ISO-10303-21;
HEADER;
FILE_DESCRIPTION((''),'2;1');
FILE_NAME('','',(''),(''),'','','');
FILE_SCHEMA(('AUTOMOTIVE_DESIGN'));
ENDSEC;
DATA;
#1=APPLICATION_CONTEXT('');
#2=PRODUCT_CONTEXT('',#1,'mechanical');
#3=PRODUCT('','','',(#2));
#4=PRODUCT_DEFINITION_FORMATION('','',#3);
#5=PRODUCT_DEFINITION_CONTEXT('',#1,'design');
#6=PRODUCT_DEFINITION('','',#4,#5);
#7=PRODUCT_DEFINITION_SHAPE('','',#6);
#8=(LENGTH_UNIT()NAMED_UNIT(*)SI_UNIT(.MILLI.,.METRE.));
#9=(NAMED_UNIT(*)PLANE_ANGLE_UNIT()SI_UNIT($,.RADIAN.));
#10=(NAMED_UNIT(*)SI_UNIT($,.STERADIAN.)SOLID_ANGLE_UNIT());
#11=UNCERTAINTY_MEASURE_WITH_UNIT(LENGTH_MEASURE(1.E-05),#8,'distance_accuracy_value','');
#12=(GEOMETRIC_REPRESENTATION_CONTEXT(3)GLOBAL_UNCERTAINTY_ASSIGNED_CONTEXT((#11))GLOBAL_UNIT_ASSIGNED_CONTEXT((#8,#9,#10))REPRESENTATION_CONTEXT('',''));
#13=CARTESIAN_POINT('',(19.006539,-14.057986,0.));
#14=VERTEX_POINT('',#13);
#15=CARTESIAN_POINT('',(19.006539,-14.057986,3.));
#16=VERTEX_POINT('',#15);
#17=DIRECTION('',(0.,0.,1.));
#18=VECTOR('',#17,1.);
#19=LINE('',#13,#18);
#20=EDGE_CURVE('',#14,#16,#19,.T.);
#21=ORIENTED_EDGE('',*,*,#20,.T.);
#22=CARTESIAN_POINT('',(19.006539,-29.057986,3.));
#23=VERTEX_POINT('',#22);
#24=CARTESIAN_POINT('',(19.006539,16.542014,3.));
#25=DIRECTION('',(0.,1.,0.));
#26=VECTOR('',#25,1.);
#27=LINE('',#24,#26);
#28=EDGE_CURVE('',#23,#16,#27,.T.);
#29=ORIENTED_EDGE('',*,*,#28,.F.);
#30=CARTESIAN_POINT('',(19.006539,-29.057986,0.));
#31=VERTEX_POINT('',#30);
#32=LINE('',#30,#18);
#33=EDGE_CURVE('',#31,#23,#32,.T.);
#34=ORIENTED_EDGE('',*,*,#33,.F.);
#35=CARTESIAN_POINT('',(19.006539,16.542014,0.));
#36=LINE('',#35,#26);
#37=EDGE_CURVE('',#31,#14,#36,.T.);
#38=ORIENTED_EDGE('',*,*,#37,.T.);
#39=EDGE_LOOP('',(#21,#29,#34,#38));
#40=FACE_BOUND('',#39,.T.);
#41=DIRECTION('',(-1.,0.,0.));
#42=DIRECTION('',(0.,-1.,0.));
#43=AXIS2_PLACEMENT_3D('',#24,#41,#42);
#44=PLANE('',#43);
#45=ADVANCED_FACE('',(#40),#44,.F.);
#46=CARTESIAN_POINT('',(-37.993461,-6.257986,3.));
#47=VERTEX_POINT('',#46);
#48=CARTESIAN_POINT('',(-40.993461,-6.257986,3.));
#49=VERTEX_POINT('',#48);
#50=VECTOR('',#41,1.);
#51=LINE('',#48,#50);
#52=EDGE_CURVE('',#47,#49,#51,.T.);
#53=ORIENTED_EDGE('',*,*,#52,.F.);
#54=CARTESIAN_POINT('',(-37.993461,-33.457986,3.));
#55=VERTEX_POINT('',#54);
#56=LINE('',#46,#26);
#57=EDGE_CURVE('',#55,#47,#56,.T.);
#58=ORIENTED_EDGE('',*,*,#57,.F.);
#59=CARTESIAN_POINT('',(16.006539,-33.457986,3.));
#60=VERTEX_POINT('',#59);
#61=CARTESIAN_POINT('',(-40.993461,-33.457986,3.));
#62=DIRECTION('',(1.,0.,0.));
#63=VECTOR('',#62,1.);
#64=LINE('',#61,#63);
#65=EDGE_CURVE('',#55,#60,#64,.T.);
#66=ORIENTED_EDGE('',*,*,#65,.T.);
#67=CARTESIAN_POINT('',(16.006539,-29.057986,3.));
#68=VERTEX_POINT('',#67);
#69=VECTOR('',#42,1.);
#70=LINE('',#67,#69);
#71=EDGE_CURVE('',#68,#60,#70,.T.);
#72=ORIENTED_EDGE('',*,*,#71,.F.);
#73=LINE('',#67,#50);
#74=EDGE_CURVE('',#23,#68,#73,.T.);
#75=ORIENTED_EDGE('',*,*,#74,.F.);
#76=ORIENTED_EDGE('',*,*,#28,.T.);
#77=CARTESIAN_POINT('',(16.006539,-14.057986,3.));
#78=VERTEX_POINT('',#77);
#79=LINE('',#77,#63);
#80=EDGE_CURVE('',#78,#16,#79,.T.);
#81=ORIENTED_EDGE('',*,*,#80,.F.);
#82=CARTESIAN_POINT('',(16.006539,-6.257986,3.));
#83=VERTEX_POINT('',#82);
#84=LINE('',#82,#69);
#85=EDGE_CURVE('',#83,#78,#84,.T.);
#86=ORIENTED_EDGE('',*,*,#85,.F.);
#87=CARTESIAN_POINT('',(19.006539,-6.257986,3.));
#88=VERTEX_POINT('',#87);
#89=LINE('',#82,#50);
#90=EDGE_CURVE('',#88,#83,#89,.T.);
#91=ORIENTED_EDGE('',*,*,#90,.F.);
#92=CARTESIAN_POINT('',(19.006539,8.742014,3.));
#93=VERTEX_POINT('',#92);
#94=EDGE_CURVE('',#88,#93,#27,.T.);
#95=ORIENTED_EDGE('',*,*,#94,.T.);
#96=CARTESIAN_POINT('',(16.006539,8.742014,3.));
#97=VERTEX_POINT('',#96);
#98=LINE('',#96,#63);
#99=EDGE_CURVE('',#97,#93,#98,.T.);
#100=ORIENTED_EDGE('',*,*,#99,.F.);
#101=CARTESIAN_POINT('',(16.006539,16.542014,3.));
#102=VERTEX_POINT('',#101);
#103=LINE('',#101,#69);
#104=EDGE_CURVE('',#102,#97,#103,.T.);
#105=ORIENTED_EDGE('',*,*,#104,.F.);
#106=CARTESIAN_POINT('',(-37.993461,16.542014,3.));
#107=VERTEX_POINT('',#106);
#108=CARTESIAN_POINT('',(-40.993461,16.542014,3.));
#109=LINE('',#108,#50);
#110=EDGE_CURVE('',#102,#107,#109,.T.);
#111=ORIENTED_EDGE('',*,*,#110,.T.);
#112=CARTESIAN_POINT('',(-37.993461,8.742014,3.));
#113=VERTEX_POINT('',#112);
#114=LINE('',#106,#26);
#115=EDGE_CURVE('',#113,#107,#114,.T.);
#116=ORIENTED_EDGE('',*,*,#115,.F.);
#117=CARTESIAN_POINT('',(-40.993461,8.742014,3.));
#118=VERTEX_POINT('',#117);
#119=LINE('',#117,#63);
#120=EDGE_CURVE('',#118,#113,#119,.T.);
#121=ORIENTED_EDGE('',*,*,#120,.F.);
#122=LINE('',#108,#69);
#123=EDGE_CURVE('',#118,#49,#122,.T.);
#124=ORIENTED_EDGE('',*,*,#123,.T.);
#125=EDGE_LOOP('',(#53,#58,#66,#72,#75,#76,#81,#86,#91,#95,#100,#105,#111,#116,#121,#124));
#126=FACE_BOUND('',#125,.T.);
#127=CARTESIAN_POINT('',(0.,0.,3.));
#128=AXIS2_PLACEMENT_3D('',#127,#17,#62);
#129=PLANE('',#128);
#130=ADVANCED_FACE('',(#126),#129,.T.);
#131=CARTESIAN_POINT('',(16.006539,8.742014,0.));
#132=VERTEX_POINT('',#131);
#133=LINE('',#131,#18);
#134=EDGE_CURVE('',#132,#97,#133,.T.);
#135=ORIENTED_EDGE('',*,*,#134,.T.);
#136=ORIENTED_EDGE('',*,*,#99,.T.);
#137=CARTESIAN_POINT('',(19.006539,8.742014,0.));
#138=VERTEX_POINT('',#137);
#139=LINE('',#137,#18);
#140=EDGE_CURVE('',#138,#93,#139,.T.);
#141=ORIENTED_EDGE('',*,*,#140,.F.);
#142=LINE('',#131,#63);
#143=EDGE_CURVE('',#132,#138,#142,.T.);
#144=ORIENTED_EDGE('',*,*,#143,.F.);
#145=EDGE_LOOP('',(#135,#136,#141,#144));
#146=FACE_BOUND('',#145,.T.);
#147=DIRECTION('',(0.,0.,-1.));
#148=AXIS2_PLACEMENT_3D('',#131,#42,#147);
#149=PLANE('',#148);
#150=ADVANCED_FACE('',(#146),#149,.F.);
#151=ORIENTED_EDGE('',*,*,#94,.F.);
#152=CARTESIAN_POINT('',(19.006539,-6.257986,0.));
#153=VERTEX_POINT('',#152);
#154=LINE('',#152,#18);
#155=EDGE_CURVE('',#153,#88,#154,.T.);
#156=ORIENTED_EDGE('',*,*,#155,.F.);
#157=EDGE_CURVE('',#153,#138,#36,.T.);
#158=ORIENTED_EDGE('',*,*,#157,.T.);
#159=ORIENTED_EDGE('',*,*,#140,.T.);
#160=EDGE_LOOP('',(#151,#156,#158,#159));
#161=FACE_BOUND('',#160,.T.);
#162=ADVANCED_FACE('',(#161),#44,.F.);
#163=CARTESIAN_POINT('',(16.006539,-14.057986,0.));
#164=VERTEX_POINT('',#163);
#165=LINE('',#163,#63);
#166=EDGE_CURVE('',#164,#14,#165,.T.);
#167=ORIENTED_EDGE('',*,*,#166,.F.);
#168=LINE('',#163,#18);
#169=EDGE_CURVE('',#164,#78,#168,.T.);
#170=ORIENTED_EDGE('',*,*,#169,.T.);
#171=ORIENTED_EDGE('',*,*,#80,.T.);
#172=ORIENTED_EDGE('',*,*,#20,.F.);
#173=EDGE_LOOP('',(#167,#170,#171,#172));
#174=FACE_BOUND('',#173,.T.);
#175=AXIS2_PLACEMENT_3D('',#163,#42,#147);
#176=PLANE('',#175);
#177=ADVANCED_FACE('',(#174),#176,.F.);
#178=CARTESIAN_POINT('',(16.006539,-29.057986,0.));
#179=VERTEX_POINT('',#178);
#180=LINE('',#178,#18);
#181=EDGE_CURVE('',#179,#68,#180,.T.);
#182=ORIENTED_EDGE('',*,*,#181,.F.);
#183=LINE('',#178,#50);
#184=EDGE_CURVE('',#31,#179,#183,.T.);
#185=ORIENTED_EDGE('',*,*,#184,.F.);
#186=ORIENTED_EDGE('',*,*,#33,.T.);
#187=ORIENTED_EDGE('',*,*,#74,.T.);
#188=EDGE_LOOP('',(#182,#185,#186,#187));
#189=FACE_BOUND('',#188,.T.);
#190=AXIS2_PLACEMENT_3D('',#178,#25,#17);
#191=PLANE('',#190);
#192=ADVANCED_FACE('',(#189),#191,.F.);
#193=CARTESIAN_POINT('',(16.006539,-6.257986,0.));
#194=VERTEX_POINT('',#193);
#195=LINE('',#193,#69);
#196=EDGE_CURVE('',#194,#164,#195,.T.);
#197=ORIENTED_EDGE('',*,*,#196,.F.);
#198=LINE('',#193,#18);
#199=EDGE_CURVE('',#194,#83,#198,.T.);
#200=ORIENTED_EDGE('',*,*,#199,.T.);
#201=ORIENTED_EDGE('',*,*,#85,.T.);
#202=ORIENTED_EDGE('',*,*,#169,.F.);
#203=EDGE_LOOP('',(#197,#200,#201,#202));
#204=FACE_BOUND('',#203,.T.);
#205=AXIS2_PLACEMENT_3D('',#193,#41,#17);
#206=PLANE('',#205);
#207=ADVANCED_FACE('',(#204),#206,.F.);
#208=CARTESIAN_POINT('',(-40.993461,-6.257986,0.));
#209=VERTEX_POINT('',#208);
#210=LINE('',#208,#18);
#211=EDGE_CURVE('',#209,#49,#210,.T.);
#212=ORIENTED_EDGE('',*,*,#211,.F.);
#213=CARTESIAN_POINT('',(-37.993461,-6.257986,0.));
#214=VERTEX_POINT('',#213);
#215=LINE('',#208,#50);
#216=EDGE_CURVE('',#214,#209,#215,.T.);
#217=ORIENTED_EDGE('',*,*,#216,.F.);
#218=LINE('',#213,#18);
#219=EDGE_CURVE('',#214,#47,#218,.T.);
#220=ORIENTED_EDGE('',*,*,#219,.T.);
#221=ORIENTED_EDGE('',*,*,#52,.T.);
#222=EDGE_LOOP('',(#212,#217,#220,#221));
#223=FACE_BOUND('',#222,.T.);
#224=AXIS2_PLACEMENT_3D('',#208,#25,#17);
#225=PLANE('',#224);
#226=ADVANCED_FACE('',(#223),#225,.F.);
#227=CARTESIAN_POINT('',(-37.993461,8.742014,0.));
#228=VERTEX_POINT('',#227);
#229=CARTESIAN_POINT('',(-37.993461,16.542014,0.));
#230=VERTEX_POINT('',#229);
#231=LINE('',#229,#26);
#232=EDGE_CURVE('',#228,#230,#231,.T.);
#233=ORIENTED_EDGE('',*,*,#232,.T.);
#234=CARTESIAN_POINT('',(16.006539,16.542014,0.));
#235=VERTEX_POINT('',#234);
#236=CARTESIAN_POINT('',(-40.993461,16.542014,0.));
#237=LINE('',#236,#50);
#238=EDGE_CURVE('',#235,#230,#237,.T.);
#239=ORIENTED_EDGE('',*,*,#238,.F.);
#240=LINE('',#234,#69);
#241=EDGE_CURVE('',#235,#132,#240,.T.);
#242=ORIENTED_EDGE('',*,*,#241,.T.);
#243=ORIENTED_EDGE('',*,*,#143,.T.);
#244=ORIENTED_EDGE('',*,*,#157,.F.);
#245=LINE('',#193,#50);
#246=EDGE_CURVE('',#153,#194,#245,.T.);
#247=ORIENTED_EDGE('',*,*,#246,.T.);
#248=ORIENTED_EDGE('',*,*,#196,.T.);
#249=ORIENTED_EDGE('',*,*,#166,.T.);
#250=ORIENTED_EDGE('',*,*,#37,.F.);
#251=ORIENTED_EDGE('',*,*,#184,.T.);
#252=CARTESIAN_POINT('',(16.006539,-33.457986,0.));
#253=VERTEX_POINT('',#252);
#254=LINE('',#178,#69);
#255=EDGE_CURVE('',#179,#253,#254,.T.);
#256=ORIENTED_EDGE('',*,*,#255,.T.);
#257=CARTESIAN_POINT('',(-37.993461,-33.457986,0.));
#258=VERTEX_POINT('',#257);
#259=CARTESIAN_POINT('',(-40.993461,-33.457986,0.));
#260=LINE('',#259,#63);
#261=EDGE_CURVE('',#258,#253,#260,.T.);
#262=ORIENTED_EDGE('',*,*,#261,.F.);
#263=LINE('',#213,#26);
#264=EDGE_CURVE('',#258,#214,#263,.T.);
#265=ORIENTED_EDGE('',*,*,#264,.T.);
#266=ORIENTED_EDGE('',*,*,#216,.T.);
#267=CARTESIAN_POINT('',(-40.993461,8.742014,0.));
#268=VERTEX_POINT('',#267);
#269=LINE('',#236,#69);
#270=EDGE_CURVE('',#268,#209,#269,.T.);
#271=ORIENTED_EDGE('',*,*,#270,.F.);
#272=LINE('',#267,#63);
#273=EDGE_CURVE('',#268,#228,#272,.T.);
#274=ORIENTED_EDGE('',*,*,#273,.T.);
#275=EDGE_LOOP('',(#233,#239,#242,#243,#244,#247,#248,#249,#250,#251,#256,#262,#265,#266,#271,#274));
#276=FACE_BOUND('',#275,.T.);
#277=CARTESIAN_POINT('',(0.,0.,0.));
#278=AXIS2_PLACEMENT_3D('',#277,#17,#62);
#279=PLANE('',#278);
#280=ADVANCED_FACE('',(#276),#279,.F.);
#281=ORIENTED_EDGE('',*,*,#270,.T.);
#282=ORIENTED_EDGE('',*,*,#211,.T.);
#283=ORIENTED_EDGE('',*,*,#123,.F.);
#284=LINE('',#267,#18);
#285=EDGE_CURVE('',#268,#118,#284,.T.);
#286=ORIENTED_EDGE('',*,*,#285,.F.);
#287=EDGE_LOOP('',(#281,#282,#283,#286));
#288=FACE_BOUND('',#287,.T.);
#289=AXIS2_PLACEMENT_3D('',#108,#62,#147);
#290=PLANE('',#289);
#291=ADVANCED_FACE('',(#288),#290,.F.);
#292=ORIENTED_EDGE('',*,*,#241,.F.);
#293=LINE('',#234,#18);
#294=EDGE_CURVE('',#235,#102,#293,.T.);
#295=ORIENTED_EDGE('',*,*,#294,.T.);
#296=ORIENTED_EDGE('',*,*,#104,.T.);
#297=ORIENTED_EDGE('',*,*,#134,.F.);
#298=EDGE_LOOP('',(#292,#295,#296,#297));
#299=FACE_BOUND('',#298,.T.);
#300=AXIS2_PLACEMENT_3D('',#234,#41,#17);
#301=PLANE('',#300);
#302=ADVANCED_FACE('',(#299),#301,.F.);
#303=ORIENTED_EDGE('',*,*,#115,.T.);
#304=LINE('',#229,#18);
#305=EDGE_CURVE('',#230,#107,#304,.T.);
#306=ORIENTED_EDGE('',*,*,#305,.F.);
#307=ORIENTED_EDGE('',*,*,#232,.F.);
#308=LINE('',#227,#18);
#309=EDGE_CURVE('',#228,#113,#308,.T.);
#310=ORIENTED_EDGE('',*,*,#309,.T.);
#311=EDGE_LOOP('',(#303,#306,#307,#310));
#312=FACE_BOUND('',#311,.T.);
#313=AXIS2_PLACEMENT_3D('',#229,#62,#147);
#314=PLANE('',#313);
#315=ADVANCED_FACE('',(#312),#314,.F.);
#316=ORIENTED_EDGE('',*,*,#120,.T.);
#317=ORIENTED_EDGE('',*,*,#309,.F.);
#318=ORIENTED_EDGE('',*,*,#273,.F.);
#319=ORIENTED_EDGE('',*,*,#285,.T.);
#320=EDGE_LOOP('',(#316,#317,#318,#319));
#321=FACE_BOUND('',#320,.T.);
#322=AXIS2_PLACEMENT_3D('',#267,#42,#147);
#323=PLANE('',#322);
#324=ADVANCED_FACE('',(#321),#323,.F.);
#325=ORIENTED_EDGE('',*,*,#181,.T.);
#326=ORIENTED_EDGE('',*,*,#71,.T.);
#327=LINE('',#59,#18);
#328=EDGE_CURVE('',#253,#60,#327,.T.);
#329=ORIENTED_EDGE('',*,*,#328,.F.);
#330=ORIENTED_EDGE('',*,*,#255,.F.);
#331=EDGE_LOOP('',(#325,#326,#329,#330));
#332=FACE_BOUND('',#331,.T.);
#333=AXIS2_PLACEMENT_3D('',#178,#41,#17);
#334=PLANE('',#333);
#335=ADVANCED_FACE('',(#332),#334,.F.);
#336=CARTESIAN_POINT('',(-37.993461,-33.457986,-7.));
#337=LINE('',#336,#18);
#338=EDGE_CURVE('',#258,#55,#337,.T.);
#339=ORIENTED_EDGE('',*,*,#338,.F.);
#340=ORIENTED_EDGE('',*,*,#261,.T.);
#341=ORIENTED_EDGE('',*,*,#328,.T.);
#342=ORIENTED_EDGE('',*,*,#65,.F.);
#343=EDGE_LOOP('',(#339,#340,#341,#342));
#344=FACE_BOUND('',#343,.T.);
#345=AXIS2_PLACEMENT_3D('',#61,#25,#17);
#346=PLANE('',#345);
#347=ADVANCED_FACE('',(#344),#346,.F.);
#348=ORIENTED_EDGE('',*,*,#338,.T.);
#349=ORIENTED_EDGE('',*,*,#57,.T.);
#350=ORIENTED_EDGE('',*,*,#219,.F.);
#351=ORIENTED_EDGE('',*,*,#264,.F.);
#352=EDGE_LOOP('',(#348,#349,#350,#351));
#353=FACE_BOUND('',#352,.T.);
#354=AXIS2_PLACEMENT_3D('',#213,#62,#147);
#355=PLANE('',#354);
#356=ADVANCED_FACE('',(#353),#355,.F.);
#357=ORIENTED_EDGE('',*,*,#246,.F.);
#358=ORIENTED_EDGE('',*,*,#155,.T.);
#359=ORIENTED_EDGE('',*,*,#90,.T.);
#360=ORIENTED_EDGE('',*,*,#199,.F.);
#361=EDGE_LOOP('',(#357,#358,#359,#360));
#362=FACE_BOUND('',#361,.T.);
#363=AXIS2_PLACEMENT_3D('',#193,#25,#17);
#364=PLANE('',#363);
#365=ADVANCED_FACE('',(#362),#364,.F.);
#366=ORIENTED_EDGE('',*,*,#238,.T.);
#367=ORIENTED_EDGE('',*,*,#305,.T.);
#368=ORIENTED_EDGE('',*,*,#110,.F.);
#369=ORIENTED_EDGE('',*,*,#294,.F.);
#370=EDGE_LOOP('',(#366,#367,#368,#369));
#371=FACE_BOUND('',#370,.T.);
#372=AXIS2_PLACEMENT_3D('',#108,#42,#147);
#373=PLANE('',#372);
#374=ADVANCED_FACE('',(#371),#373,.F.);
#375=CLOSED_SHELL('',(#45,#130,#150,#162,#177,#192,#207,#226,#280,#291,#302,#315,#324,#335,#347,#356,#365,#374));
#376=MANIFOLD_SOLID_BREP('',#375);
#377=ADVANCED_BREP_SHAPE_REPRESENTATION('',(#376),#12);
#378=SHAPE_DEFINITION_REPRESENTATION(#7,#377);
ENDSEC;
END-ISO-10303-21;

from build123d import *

# Parameters (mm, degrees)
SKETCH1_W           = 60
SKETCH1_H           = 50
BOSS_EXTRUDE1_DEPTH = 3
SKETCH2_W           = 3
SKETCH2_H           = 7.8
CUT_EXTRUDE1_DEPTH  = 53.999062732
LPATTERN1_COUNT     = 2
LPATTERN1_PITCH     = 22.8
SKETCH3_W           = 3
SKETCH3_H           = 7.8
CUT_EXTRUDE2_DEPTH  = 53.999062732
LPATTERN2_COUNT     = 4
LPATTERN2_PITCH     = 22.8
SKETCH6_W           = 3
SKETCH6_H           = 19.4
CUT_EXTRUDE3_DEPTH  = 10


with BuildPart() as part:
    # Sketch1 → Boss-Extrude1 (new body)
    with BuildSketch(Plane.XY):
        with Locations((-10.993460648, -8.457986111)):
            Rectangle(SKETCH1_W, SKETCH1_H)
    extrude(amount=BOSS_EXTRUDE1_DEPTH)

    # Sketch2 → Cut-Extrude1 (cut, through all)
    with BuildSketch(Plane.XY.offset(3)):
        with Locations((-39.493460648, 12.642013889)):
            Rectangle(SKETCH2_W, SKETCH2_H)
    cut_extrude1 = extrude(amount=-CUT_EXTRUDE1_DEPTH, mode=Mode.SUBTRACT)

    # LPattern1: Cut-Extrude1 ×2
    with Locations(*[(0, -i * LPATTERN1_PITCH, 0) for i in range(1, LPATTERN1_COUNT)]):
        add(cut_extrude1, mode=Mode.SUBTRACT)

    # Sketch3 → Cut-Extrude2 (cut, through all)
    with BuildSketch(Plane.XY.offset(3)):
        with Locations((17.506539352, 12.642013889)):
            Rectangle(SKETCH3_W, SKETCH3_H)
    cut_extrude2 = extrude(amount=-CUT_EXTRUDE2_DEPTH, mode=Mode.SUBTRACT)

    # LPattern2: Cut-Extrude2 ×4
    with Locations(*[(0, -i * LPATTERN2_PITCH, 0) for i in range(1, LPATTERN2_COUNT)]):
        add(cut_extrude2, mode=Mode.SUBTRACT)

    # Sketch6 → Cut-Extrude3 (cut)
    with BuildSketch(Plane.XY.offset(3)):
        with Locations((-39.493460648, -23.757986111)):
            Rectangle(SKETCH6_W, SKETCH6_H)
    extrude(amount=-CUT_EXTRUDE3_DEPTH, mode=Mode.SUBTRACT)


solid = part.part
